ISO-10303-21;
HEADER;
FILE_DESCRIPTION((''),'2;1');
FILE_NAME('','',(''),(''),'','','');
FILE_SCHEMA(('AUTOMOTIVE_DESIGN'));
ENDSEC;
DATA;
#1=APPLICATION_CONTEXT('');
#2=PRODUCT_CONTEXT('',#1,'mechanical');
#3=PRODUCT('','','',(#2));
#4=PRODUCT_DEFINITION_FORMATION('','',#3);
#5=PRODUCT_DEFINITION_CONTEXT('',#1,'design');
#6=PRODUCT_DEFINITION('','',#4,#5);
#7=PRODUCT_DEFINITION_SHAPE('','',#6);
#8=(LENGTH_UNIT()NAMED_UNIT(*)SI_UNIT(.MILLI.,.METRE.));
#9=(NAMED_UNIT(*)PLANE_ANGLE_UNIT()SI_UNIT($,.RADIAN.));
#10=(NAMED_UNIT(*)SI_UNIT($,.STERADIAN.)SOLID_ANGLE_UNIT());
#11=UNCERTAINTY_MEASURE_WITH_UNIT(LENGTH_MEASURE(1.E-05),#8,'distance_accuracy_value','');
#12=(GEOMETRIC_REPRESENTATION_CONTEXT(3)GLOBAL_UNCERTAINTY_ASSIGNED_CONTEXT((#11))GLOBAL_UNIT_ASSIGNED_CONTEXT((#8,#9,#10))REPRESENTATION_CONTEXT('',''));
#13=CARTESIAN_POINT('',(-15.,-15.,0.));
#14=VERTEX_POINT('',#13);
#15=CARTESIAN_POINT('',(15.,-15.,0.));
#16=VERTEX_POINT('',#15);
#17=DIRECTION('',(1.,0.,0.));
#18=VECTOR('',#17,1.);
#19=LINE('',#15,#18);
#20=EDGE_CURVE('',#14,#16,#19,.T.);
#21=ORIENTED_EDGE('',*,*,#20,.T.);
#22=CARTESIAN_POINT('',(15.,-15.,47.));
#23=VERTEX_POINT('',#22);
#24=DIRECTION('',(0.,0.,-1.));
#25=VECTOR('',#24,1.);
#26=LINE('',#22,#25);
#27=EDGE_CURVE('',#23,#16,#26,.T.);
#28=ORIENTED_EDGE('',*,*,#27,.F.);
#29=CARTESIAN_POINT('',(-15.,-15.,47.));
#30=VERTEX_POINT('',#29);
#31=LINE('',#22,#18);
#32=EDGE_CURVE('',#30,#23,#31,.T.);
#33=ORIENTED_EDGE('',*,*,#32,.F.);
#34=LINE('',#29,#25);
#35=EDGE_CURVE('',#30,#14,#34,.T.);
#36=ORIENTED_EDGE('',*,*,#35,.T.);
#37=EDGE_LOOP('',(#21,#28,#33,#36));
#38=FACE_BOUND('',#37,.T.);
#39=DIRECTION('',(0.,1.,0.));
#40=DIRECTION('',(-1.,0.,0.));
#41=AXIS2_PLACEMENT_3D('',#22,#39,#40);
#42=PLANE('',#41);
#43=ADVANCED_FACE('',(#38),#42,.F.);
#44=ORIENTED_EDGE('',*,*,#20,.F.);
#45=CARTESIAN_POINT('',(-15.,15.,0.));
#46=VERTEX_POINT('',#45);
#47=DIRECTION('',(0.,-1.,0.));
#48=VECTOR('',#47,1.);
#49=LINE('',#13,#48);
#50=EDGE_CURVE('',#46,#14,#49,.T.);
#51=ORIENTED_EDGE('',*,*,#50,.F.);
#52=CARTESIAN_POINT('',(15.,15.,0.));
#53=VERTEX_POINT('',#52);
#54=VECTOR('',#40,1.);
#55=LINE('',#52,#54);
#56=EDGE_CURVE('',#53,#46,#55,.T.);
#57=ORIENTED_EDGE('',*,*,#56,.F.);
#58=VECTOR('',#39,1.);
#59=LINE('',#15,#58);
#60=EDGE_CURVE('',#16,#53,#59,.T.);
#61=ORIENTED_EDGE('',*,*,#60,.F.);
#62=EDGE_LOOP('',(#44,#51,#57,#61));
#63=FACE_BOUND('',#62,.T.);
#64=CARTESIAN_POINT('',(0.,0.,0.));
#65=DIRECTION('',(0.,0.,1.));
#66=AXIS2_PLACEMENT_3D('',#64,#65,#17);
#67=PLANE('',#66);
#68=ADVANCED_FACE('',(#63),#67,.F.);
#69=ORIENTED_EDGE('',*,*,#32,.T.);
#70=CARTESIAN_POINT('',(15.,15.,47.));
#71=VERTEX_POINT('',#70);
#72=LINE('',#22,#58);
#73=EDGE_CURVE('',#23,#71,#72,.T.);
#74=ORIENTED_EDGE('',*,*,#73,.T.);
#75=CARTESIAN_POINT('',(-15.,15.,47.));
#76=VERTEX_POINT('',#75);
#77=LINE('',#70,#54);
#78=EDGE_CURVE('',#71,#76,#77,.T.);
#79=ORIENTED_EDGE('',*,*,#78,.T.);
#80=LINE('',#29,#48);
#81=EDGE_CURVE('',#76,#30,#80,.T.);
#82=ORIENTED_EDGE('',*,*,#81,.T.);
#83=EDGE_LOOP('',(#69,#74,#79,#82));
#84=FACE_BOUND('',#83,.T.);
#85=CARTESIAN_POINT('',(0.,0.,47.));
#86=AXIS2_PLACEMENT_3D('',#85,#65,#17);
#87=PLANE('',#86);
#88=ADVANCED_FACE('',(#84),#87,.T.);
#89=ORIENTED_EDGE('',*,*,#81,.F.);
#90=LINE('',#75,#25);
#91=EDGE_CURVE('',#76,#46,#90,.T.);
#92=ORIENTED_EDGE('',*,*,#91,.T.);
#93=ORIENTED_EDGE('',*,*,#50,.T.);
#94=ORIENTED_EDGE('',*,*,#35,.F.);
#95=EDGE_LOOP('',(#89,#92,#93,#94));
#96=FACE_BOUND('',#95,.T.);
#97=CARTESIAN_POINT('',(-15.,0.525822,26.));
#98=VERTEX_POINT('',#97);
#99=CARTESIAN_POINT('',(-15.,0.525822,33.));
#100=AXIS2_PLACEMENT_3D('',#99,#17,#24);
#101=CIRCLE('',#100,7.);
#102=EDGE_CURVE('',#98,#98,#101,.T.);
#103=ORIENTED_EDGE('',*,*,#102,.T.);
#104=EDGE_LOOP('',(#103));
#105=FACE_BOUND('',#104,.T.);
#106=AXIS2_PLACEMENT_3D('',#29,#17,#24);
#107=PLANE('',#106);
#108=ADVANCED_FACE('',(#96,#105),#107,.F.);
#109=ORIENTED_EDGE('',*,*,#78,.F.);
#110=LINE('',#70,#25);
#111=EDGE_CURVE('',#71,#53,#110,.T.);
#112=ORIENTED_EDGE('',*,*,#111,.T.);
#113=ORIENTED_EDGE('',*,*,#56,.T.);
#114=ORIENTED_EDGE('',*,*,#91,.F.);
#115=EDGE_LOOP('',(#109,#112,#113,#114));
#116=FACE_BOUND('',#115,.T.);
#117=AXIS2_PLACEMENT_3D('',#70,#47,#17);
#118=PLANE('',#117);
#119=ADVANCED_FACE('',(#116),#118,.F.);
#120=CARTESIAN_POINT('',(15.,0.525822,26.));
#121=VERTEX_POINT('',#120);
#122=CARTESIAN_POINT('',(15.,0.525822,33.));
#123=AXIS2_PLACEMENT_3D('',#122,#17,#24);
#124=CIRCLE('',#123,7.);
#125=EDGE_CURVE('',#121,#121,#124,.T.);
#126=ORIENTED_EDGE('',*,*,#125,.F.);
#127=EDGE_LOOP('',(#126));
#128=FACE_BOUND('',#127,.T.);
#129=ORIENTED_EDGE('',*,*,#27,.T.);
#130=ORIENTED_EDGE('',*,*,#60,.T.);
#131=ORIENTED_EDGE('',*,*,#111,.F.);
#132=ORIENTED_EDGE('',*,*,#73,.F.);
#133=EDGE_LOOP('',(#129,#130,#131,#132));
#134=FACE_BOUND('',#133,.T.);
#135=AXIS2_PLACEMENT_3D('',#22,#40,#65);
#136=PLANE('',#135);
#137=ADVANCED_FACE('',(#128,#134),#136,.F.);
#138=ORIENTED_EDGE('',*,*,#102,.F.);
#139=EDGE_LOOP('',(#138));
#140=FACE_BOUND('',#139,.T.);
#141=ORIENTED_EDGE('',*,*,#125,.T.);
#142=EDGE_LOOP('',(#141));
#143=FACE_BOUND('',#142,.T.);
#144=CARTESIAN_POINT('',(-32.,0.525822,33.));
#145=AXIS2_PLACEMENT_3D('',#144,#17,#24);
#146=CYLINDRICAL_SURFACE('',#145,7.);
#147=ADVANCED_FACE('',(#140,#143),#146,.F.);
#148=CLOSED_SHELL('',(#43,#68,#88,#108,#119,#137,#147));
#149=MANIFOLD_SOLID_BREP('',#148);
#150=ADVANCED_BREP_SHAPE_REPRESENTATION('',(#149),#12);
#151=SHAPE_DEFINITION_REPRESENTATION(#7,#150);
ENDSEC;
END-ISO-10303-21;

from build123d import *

# Parameters (mm, degrees)
SKETCH1_W           = 30
SKETCH1_H           = 30
BOSS_EXTRUDE1_DEPTH = 47
SKETCH2_R           = 7
CUT_EXTRUDE1_DEPTH  = 47


with BuildPart() as part:
    # Sketch1 → Boss-Extrude1 (new body)
    with BuildSketch(Plane.XY):
        Rectangle(SKETCH1_W, SKETCH1_H)
    extrude(amount=BOSS_EXTRUDE1_DEPTH)

    # Sketch2 → Cut-Extrude1 (cut)
    with BuildSketch(Plane(origin=(15, 0, 0), x_dir=(0, 0, -1), z_dir=(1, 0, 0))):
        with Locations((-33, 0.525821826)):
            Circle(SKETCH2_R)
    extrude(amount=-CUT_EXTRUDE1_DEPTH, mode=Mode.SUBTRACT)


solid = part.part
